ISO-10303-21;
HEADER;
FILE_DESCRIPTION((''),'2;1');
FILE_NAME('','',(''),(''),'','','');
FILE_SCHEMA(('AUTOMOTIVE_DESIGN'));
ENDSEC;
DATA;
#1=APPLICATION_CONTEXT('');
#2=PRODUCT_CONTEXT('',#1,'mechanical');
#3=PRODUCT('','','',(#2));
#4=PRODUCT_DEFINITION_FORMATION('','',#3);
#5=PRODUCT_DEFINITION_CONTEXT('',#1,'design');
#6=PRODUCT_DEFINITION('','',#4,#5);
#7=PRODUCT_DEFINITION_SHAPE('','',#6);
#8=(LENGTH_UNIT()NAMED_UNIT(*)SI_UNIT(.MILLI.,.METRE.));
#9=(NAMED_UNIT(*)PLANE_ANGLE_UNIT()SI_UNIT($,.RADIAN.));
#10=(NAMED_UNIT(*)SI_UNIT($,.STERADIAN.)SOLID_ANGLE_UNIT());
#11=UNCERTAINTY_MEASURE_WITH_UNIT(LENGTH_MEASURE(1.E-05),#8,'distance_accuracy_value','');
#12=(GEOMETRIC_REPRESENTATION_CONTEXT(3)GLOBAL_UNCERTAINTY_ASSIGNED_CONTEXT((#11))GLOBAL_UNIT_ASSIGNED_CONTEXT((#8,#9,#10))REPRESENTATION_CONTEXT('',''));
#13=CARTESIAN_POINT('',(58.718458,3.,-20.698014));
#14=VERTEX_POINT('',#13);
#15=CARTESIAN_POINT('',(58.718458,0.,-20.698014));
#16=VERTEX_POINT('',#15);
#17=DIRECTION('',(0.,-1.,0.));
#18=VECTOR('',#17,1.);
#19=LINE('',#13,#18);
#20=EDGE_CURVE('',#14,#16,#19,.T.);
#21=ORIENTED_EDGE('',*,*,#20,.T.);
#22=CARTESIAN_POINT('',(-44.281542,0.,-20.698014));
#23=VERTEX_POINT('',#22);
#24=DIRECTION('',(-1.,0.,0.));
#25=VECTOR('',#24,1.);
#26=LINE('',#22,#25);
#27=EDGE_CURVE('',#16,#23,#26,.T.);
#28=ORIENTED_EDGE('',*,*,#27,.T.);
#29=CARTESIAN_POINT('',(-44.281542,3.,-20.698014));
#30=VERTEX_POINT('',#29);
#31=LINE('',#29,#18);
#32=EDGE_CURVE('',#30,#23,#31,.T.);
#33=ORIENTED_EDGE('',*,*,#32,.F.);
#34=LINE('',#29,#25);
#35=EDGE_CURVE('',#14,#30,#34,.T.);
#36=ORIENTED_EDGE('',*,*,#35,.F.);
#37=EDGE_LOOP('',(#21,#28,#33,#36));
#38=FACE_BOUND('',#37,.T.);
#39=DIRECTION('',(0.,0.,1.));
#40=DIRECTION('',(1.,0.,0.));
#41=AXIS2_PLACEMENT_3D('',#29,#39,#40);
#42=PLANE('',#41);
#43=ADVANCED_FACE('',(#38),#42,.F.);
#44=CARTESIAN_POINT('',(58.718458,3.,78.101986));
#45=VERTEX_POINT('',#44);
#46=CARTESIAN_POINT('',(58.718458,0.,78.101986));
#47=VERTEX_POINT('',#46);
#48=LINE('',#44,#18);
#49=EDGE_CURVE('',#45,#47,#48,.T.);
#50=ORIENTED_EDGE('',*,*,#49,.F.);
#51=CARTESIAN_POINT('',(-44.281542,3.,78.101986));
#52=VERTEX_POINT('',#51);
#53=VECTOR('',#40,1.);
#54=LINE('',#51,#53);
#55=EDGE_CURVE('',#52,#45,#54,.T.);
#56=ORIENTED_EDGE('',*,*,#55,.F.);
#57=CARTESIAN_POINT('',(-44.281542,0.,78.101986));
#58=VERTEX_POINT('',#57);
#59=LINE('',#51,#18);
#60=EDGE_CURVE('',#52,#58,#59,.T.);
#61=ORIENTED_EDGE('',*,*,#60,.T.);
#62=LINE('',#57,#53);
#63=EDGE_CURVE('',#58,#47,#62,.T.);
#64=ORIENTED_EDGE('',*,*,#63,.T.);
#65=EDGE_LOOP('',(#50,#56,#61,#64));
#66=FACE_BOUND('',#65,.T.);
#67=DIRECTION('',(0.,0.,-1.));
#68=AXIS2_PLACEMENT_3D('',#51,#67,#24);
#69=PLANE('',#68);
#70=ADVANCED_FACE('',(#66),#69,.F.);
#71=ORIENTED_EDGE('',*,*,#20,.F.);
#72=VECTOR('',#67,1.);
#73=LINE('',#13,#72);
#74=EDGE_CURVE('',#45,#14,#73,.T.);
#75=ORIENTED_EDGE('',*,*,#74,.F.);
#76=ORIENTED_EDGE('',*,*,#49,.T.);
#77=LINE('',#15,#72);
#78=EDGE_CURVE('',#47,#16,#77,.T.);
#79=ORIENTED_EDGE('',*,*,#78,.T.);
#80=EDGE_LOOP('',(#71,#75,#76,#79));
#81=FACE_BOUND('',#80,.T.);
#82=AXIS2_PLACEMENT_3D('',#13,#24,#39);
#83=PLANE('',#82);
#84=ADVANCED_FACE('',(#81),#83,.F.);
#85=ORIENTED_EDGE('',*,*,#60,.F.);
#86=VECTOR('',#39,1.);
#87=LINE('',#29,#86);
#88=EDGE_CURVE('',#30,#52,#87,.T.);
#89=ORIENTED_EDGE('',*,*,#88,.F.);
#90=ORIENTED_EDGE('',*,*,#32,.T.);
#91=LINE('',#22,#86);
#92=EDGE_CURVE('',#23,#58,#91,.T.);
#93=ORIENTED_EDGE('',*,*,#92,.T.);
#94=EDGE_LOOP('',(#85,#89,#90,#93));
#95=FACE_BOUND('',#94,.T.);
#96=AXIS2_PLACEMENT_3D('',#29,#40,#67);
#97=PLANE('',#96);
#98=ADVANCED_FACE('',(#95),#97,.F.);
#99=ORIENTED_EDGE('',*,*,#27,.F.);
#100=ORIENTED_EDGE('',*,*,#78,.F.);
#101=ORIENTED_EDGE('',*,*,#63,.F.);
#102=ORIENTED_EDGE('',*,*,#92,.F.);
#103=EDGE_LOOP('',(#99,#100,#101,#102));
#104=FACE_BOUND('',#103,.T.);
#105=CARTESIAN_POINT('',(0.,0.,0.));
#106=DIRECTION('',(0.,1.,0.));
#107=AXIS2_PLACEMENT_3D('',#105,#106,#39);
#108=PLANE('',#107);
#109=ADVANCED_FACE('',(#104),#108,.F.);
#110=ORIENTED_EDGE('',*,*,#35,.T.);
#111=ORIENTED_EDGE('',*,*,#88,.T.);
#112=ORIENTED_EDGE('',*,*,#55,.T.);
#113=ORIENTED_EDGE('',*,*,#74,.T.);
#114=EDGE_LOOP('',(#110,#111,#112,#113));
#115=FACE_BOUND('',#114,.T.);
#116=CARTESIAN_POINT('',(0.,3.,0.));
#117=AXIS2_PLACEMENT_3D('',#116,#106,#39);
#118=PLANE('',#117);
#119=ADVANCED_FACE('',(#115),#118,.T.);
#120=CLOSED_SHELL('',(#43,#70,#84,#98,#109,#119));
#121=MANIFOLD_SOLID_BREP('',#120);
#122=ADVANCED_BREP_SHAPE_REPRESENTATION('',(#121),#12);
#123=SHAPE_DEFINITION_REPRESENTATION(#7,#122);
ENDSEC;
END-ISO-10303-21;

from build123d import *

# Parameters (mm, degrees)
SKETCH1_W           = 103
SKETCH1_H           = 98.8
BOSS_EXTRUDE1_DEPTH = 3


with BuildPart() as part:
    # Sketch1 → Boss-Extrude1 (new body)
    with BuildSketch(Plane(origin=(0, 0, 0), x_dir=(1, 0, 0), z_dir=(0, 1, 0))):
        with Locations((7.218457944, -28.701985981)):
            Rectangle(SKETCH1_W, SKETCH1_H)
    extrude(amount=BOSS_EXTRUDE1_DEPTH)


solid = part.part
